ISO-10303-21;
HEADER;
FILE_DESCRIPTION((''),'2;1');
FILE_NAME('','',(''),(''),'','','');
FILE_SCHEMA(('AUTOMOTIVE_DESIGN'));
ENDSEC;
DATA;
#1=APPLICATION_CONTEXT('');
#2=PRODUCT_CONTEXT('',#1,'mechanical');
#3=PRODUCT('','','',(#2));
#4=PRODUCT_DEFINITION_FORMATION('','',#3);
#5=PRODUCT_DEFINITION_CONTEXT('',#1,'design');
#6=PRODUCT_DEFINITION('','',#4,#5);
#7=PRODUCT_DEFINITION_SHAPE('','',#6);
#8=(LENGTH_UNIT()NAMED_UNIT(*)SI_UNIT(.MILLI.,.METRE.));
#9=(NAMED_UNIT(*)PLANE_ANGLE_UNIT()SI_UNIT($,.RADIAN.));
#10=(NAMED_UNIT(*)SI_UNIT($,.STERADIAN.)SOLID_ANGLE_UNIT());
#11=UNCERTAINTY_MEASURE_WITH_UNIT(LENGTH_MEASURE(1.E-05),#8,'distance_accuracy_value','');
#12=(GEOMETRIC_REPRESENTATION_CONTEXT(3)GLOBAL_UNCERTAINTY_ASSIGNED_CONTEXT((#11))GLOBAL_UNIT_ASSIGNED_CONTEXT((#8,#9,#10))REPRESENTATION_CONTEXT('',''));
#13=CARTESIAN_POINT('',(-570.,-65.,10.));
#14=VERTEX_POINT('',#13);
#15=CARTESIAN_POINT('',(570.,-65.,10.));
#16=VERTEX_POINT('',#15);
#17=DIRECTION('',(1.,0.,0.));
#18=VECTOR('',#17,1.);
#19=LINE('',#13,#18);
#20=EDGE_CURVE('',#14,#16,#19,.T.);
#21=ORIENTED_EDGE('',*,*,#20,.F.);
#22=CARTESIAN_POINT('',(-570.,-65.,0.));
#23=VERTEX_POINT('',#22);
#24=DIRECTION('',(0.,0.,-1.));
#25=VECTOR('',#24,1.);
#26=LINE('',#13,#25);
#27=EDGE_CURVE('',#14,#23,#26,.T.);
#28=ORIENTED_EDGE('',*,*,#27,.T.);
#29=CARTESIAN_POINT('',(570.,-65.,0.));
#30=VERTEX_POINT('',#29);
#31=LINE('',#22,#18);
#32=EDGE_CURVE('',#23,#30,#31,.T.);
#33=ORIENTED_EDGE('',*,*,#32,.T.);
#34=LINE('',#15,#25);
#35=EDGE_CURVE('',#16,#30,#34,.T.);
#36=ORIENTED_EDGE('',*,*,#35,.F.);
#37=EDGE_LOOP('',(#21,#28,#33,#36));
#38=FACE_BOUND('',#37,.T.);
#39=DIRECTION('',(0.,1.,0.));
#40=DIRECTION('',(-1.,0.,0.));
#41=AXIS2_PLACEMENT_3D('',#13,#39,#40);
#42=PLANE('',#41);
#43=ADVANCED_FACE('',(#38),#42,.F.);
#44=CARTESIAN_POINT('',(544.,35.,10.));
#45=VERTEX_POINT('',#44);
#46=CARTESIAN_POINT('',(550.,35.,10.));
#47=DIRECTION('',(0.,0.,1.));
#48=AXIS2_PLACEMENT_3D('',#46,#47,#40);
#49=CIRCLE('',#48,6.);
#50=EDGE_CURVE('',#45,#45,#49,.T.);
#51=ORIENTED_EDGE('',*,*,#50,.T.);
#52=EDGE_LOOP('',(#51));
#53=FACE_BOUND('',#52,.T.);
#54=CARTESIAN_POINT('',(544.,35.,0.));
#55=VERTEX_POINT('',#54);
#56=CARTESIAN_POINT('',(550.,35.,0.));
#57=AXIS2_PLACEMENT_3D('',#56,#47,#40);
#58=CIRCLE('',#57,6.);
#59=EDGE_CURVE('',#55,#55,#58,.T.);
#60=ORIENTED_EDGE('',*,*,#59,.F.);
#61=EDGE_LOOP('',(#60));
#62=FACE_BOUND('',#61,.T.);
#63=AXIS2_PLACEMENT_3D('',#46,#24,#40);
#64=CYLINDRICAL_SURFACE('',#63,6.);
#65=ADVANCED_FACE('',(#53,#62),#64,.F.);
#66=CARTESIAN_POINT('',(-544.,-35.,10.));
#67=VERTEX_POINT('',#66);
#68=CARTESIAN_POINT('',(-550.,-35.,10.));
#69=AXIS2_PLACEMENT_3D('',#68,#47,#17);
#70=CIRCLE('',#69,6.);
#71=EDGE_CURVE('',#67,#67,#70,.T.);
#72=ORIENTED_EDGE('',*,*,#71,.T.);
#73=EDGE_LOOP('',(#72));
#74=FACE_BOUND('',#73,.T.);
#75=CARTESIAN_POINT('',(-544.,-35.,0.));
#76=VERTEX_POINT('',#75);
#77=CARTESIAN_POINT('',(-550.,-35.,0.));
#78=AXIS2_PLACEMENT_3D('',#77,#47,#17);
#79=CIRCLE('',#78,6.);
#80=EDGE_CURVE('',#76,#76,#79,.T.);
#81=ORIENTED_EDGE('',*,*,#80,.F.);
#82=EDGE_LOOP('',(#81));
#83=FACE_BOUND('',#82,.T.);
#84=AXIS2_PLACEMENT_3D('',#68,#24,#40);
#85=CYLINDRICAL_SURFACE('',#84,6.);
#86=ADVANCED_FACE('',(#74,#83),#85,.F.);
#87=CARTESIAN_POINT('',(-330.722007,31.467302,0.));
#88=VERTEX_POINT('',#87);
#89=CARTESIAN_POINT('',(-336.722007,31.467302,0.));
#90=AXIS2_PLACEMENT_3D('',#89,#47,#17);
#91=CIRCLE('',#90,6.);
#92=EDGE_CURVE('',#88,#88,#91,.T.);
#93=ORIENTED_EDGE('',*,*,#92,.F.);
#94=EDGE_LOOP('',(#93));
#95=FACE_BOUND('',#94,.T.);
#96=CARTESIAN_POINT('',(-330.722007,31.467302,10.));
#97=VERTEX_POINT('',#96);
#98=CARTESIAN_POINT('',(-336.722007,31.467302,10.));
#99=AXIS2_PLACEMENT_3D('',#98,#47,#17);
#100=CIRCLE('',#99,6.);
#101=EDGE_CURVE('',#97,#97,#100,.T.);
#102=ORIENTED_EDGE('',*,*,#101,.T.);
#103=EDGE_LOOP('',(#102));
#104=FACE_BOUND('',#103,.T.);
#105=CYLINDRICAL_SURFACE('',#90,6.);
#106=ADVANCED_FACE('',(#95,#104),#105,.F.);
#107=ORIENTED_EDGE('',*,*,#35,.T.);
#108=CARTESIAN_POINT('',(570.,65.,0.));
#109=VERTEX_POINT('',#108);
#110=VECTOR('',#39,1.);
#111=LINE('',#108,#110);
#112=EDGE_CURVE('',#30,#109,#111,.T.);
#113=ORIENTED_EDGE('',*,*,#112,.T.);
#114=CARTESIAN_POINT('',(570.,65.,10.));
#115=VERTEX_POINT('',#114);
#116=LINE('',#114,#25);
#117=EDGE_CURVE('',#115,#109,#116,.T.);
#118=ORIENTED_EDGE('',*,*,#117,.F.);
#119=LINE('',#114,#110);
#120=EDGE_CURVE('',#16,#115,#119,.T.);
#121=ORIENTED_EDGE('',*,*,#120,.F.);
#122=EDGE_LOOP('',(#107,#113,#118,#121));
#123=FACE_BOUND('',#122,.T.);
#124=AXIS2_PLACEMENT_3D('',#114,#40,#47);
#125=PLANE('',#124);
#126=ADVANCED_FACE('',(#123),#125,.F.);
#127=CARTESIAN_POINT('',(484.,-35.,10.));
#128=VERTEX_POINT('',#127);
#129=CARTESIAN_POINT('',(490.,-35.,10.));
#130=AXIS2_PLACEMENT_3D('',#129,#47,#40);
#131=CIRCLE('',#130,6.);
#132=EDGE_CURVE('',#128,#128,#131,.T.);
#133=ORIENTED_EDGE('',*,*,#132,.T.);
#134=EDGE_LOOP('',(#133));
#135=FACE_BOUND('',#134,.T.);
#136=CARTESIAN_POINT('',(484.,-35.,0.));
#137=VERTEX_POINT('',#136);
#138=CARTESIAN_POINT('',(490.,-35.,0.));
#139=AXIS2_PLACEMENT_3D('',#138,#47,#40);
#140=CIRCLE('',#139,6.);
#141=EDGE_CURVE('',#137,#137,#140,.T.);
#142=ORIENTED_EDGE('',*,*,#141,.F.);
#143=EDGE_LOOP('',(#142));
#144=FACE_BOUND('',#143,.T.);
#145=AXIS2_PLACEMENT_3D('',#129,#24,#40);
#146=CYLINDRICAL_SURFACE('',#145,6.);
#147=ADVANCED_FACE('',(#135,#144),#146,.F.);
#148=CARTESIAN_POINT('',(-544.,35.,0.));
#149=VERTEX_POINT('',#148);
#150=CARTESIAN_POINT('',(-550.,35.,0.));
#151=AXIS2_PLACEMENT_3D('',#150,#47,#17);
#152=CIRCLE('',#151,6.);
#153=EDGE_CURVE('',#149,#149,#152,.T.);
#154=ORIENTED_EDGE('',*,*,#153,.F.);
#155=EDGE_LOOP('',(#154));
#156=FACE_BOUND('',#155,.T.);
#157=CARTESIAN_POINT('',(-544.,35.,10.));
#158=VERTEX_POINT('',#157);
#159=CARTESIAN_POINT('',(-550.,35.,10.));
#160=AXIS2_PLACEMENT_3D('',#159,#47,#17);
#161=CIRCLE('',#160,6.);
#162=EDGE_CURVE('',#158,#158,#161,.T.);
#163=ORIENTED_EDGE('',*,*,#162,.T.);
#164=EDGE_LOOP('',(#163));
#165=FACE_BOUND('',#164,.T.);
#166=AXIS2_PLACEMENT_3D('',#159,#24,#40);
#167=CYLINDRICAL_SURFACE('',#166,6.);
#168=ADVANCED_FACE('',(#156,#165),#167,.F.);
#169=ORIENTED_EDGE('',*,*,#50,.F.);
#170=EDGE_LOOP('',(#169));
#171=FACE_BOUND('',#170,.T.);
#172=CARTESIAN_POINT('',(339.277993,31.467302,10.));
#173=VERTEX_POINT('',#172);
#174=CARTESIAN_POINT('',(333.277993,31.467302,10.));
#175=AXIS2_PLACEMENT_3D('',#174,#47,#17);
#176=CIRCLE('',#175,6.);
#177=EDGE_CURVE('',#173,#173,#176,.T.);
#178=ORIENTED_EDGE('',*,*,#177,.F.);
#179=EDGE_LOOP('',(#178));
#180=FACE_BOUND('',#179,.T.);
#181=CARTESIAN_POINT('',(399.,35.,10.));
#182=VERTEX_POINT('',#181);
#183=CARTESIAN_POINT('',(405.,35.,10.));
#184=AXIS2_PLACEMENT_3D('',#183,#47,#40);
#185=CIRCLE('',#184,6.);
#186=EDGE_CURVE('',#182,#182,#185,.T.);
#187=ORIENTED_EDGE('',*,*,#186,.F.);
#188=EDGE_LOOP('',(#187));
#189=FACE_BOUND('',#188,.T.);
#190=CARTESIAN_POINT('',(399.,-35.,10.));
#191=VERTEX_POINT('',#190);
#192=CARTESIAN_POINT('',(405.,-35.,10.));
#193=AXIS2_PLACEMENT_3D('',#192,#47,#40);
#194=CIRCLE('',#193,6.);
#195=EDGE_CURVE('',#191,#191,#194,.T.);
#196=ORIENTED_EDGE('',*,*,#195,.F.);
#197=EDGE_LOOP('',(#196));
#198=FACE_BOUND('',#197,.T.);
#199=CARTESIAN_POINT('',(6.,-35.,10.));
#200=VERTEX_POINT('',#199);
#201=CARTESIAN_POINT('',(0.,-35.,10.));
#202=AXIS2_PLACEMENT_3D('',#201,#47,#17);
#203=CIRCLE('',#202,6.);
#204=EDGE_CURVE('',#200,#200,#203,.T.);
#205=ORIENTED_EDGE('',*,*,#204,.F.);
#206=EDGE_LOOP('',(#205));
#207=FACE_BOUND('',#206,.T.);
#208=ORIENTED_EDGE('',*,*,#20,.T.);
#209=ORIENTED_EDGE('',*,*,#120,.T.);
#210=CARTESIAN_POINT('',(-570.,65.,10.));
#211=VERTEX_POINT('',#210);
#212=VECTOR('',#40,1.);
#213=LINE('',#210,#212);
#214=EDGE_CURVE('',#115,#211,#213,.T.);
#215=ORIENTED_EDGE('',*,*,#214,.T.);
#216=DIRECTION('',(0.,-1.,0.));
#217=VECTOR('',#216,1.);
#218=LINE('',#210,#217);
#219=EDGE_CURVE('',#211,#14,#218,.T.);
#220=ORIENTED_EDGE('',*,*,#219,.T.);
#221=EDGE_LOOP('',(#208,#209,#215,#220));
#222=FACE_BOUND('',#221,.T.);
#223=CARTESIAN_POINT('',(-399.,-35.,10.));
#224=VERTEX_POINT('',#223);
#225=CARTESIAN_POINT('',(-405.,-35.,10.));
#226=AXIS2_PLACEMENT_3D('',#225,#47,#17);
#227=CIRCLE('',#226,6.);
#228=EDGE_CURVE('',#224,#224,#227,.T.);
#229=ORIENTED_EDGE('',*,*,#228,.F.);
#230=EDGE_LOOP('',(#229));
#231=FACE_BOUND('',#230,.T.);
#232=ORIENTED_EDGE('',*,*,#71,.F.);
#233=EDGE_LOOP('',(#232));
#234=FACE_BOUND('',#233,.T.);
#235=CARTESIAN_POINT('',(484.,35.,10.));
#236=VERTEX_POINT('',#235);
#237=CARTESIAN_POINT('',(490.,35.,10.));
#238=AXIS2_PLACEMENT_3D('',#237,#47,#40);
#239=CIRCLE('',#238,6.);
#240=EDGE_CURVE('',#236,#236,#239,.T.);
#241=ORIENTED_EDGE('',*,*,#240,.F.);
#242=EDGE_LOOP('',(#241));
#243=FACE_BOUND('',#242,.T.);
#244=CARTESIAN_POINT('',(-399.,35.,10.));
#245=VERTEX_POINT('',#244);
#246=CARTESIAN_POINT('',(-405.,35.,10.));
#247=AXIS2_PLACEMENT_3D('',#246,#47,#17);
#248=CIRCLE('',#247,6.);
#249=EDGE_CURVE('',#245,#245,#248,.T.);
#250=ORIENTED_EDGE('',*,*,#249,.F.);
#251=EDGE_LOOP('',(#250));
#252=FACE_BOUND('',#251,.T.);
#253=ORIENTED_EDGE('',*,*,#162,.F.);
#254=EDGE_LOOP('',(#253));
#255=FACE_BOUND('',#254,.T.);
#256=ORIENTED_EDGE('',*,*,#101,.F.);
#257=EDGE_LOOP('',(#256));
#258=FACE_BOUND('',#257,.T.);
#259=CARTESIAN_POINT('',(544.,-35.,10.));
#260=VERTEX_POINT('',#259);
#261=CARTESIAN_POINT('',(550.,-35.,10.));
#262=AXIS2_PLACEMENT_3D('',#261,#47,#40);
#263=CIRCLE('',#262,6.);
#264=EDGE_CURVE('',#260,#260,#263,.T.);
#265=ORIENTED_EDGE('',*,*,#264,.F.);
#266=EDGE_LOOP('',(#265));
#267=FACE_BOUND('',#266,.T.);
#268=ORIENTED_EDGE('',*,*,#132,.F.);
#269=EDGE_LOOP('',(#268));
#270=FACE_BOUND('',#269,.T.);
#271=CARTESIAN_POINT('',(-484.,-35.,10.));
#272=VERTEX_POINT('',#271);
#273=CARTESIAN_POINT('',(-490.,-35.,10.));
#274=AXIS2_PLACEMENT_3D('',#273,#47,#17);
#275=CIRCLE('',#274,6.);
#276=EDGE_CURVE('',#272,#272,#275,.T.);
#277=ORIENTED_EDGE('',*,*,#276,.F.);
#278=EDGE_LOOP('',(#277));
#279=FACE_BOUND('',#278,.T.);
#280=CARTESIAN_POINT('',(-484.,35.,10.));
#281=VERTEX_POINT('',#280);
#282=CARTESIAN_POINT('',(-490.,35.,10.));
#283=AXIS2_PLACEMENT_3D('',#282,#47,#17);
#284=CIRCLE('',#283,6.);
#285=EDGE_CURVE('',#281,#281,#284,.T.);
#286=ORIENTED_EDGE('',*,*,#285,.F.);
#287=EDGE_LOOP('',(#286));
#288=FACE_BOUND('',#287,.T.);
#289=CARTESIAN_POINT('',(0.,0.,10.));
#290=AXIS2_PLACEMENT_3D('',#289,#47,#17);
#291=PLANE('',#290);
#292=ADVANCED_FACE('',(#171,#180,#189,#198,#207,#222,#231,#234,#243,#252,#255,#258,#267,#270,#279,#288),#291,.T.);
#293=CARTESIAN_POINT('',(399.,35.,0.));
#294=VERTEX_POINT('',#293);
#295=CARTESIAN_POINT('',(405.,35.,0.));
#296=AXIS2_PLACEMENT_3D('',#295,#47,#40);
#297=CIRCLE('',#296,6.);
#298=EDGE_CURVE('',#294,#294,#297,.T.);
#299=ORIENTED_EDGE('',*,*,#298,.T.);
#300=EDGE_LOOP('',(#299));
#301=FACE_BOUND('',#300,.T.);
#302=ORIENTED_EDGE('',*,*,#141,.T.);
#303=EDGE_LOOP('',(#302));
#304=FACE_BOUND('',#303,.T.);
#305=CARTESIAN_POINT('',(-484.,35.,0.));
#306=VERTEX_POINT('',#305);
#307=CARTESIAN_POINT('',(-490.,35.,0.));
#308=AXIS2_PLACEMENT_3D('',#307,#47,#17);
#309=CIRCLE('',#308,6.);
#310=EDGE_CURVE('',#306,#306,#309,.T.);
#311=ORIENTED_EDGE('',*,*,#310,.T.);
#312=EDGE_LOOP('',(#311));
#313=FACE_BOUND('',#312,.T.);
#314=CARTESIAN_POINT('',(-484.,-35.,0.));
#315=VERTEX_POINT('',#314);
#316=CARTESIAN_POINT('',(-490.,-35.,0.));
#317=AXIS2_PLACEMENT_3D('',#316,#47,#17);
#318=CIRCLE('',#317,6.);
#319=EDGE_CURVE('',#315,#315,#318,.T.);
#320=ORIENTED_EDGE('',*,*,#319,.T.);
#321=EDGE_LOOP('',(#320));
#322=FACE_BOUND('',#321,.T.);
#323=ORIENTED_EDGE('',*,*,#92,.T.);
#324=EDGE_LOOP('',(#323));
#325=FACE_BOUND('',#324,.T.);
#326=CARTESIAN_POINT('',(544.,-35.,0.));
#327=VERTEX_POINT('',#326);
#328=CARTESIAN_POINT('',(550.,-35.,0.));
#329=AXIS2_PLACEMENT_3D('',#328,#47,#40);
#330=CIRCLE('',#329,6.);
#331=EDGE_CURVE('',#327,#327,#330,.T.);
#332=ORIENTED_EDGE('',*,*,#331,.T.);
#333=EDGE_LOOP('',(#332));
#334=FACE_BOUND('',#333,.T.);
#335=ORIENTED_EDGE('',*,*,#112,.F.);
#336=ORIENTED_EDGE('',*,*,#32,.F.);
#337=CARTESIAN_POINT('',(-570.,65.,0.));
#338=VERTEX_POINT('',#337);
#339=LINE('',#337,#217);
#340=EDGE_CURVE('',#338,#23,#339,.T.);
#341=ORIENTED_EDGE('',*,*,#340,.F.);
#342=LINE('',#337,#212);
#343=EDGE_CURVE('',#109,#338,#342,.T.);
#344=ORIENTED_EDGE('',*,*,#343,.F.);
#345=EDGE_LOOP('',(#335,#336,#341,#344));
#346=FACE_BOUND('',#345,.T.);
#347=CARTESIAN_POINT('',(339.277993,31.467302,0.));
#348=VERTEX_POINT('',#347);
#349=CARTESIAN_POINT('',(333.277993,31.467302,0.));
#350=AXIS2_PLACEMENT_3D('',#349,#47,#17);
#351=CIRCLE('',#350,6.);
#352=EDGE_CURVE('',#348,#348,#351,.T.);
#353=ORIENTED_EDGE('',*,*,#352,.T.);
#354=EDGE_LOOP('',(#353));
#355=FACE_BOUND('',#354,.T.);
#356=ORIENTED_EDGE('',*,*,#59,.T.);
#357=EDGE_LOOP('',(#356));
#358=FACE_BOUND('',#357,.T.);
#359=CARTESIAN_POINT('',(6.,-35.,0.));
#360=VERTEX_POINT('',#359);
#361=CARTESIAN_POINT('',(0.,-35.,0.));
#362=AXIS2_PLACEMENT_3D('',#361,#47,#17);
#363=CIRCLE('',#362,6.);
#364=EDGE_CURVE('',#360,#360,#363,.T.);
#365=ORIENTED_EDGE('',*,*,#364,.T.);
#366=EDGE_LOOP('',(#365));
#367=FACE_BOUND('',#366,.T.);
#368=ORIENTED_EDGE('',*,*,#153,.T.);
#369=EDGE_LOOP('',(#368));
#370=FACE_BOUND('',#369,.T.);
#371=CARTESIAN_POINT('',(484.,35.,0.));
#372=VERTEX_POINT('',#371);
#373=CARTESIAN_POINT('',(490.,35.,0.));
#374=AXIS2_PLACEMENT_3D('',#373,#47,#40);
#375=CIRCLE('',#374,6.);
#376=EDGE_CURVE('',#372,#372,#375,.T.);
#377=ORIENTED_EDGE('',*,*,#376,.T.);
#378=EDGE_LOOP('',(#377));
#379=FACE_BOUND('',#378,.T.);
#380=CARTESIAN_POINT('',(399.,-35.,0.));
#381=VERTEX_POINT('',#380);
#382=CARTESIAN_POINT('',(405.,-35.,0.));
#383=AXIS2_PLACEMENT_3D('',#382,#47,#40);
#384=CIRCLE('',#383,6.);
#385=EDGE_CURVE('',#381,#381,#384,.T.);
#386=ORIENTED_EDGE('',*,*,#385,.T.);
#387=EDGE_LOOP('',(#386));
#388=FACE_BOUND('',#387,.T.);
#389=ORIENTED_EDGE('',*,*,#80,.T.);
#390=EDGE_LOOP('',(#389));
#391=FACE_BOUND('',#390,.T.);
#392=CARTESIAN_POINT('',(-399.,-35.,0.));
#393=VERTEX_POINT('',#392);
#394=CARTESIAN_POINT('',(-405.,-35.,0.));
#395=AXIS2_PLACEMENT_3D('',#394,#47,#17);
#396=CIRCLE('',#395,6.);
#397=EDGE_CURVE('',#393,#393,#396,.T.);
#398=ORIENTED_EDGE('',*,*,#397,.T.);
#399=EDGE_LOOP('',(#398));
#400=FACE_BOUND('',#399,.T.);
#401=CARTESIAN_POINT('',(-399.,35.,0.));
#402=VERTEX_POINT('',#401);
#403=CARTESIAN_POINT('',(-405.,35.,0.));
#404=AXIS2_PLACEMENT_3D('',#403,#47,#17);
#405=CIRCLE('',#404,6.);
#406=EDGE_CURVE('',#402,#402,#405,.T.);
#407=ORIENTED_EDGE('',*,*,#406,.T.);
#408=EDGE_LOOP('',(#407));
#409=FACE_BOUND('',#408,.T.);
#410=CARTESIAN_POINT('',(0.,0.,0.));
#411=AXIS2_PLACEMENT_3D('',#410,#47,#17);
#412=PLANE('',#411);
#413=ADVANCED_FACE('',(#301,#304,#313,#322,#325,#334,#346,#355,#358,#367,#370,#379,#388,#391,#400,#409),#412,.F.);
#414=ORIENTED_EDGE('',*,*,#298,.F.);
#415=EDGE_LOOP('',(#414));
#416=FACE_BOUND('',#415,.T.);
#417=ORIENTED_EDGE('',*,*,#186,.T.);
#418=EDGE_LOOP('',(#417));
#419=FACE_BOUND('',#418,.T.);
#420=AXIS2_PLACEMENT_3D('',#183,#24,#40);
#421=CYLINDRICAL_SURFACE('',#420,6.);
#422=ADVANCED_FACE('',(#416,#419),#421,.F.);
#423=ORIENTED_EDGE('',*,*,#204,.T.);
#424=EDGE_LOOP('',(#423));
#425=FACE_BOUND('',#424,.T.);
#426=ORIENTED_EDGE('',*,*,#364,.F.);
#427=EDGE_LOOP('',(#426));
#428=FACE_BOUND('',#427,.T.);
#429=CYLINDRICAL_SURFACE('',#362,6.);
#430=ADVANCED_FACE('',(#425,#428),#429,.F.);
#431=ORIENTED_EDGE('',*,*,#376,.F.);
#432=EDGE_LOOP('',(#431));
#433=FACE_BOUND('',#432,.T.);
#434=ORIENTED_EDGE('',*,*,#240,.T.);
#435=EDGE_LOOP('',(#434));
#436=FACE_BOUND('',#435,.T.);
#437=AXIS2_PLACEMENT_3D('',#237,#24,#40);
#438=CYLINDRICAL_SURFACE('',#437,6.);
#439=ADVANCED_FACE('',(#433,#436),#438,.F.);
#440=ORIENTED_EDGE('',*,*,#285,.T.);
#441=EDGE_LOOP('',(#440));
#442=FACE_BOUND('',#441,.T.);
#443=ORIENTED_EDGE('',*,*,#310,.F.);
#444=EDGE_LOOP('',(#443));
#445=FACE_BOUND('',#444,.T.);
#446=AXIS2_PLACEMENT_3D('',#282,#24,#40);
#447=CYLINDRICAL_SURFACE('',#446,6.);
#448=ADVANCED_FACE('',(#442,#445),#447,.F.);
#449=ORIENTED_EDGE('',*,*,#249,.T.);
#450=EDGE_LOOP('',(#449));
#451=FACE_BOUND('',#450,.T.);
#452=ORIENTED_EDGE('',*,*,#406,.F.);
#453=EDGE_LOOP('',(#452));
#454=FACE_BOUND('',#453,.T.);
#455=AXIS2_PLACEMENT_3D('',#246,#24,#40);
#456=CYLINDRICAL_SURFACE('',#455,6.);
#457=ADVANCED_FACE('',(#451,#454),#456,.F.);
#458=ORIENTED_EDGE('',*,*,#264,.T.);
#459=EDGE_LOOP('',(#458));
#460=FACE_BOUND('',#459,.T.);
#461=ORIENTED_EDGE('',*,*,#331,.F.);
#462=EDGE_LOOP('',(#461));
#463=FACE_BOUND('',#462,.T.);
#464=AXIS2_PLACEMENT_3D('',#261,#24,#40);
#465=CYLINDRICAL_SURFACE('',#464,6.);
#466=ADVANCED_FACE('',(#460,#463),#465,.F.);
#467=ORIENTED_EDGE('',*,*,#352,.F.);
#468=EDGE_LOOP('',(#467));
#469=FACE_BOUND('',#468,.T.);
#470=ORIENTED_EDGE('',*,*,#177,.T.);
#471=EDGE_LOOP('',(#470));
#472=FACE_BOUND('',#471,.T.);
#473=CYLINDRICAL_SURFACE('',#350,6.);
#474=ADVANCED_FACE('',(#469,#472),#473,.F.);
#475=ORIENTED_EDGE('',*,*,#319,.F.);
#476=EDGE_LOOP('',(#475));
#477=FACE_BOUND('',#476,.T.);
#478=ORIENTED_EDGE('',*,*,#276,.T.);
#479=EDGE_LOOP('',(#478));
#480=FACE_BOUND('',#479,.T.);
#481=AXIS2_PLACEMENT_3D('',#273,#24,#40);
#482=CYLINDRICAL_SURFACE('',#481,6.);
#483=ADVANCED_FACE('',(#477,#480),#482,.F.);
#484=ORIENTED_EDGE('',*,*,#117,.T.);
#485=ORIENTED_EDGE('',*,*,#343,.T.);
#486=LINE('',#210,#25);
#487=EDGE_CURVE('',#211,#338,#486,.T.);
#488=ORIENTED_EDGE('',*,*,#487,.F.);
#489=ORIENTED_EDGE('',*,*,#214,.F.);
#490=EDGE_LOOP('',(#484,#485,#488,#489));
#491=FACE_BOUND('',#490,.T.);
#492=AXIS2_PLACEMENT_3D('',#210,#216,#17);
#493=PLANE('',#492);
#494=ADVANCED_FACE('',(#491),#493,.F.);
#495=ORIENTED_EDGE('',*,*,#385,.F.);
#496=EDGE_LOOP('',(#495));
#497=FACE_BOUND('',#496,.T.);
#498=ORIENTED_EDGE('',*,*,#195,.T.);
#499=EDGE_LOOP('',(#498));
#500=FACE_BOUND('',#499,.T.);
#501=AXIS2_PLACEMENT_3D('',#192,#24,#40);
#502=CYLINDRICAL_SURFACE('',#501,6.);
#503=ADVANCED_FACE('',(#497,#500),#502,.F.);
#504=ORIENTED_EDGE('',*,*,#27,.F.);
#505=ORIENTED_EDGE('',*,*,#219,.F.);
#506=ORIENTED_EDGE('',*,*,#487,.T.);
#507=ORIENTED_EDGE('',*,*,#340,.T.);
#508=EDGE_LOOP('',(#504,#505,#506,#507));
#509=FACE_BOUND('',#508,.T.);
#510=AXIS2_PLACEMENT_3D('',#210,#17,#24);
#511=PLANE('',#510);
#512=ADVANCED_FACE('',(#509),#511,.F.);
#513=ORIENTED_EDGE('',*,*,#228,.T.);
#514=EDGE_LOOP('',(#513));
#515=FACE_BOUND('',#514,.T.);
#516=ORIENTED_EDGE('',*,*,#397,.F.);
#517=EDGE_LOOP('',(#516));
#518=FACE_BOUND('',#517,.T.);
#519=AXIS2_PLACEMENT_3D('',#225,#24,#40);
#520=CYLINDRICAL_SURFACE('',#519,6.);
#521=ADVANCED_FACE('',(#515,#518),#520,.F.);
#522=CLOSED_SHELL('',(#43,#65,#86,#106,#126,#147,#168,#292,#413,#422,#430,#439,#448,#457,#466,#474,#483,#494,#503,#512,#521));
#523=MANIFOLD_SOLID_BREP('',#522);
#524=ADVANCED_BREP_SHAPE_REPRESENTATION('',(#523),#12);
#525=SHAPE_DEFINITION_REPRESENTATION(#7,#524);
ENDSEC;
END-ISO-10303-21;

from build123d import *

# Parameters (mm, degrees)
SKETCH_1_W          = 1140
SKETCH_1_H          = 130
SKETCH_1_R          = 6
EXTRUDE_1_DEPTH     = 10
SKETCH_2_R          = 6
CUT_EXTRUDE_1_DEPTH = 574.781317228
SKETCH_3_R          = 6
CUT_EXTRUDE_2_DEPTH = 574.781317228
SKETCH_4_R          = 6
CUT_EXTRUDE_3_DEPTH = 574.781317228


with BuildPart() as part:
    # 草图1 → 凸台-拉伸1 (new body)
    with BuildSketch(Plane.XY):
        Rectangle(SKETCH_1_W, SKETCH_1_H)
        with Locations((-550, 35)):
            Circle(SKETCH_1_R, mode=Mode.SUBTRACT)
        with Locations((-490, 35)):
            Circle(SKETCH_1_R, mode=Mode.SUBTRACT)
        with Locations((-405, 35)):
            Circle(SKETCH_1_R, mode=Mode.SUBTRACT)
        with Locations((-550, -35)):
            Circle(SKETCH_1_R, mode=Mode.SUBTRACT)
        with Locations((-490, -35)):
            Circle(SKETCH_1_R, mode=Mode.SUBTRACT)
        with Locations((-405, -35)):
            Circle(SKETCH_1_R, mode=Mode.SUBTRACT)
        with Locations(Location((405, -35, 0), (0, 0, 180))):
            Circle(SKETCH_1_R, mode=Mode.SUBTRACT)
        with Locations(Location((490, -35, 0), (0, 0, 180))):
            Circle(SKETCH_1_R, mode=Mode.SUBTRACT)
        with Locations(Location((550, -35, 0), (0, 0, 180))):
            Circle(SKETCH_1_R, mode=Mode.SUBTRACT)
        with Locations(Location((405, 35, 0), (0, 0, 180))):
            Circle(SKETCH_1_R, mode=Mode.SUBTRACT)
        with Locations(Location((490, 35, 0), (0, 0, 180))):
            Circle(SKETCH_1_R, mode=Mode.SUBTRACT)
        with Locations(Location((550, 35, 0), (0, 0, 180))):
            Circle(SKETCH_1_R, mode=Mode.SUBTRACT)
    extrude(amount=EXTRUDE_1_DEPTH)

    # 草图2 → 切除-拉伸1 (cut, through all)
    with BuildSketch(Plane.XY.offset(10)):
        with Locations((0, -35)):
            Circle(SKETCH_2_R)
    extrude(amount=-CUT_EXTRUDE_1_DEPTH, mode=Mode.SUBTRACT)

    # 草图3 → 切除-拉伸2 (cut, through all)
    with BuildSketch(Plane.XY.offset(10)):
        with Locations((333.277993355, 31.467302422)):
            Circle(SKETCH_3_R)
    extrude(amount=-CUT_EXTRUDE_2_DEPTH, mode=Mode.SUBTRACT)

    # 草图4 → 切除-拉伸3 (cut, through all)
    with BuildSketch(Plane.XY.offset(10)):
        with Locations((-336.722006645, 31.467302422)):
            Circle(SKETCH_4_R)
    extrude(amount=-CUT_EXTRUDE_3_DEPTH, mode=Mode.SUBTRACT)


solid = part.part
